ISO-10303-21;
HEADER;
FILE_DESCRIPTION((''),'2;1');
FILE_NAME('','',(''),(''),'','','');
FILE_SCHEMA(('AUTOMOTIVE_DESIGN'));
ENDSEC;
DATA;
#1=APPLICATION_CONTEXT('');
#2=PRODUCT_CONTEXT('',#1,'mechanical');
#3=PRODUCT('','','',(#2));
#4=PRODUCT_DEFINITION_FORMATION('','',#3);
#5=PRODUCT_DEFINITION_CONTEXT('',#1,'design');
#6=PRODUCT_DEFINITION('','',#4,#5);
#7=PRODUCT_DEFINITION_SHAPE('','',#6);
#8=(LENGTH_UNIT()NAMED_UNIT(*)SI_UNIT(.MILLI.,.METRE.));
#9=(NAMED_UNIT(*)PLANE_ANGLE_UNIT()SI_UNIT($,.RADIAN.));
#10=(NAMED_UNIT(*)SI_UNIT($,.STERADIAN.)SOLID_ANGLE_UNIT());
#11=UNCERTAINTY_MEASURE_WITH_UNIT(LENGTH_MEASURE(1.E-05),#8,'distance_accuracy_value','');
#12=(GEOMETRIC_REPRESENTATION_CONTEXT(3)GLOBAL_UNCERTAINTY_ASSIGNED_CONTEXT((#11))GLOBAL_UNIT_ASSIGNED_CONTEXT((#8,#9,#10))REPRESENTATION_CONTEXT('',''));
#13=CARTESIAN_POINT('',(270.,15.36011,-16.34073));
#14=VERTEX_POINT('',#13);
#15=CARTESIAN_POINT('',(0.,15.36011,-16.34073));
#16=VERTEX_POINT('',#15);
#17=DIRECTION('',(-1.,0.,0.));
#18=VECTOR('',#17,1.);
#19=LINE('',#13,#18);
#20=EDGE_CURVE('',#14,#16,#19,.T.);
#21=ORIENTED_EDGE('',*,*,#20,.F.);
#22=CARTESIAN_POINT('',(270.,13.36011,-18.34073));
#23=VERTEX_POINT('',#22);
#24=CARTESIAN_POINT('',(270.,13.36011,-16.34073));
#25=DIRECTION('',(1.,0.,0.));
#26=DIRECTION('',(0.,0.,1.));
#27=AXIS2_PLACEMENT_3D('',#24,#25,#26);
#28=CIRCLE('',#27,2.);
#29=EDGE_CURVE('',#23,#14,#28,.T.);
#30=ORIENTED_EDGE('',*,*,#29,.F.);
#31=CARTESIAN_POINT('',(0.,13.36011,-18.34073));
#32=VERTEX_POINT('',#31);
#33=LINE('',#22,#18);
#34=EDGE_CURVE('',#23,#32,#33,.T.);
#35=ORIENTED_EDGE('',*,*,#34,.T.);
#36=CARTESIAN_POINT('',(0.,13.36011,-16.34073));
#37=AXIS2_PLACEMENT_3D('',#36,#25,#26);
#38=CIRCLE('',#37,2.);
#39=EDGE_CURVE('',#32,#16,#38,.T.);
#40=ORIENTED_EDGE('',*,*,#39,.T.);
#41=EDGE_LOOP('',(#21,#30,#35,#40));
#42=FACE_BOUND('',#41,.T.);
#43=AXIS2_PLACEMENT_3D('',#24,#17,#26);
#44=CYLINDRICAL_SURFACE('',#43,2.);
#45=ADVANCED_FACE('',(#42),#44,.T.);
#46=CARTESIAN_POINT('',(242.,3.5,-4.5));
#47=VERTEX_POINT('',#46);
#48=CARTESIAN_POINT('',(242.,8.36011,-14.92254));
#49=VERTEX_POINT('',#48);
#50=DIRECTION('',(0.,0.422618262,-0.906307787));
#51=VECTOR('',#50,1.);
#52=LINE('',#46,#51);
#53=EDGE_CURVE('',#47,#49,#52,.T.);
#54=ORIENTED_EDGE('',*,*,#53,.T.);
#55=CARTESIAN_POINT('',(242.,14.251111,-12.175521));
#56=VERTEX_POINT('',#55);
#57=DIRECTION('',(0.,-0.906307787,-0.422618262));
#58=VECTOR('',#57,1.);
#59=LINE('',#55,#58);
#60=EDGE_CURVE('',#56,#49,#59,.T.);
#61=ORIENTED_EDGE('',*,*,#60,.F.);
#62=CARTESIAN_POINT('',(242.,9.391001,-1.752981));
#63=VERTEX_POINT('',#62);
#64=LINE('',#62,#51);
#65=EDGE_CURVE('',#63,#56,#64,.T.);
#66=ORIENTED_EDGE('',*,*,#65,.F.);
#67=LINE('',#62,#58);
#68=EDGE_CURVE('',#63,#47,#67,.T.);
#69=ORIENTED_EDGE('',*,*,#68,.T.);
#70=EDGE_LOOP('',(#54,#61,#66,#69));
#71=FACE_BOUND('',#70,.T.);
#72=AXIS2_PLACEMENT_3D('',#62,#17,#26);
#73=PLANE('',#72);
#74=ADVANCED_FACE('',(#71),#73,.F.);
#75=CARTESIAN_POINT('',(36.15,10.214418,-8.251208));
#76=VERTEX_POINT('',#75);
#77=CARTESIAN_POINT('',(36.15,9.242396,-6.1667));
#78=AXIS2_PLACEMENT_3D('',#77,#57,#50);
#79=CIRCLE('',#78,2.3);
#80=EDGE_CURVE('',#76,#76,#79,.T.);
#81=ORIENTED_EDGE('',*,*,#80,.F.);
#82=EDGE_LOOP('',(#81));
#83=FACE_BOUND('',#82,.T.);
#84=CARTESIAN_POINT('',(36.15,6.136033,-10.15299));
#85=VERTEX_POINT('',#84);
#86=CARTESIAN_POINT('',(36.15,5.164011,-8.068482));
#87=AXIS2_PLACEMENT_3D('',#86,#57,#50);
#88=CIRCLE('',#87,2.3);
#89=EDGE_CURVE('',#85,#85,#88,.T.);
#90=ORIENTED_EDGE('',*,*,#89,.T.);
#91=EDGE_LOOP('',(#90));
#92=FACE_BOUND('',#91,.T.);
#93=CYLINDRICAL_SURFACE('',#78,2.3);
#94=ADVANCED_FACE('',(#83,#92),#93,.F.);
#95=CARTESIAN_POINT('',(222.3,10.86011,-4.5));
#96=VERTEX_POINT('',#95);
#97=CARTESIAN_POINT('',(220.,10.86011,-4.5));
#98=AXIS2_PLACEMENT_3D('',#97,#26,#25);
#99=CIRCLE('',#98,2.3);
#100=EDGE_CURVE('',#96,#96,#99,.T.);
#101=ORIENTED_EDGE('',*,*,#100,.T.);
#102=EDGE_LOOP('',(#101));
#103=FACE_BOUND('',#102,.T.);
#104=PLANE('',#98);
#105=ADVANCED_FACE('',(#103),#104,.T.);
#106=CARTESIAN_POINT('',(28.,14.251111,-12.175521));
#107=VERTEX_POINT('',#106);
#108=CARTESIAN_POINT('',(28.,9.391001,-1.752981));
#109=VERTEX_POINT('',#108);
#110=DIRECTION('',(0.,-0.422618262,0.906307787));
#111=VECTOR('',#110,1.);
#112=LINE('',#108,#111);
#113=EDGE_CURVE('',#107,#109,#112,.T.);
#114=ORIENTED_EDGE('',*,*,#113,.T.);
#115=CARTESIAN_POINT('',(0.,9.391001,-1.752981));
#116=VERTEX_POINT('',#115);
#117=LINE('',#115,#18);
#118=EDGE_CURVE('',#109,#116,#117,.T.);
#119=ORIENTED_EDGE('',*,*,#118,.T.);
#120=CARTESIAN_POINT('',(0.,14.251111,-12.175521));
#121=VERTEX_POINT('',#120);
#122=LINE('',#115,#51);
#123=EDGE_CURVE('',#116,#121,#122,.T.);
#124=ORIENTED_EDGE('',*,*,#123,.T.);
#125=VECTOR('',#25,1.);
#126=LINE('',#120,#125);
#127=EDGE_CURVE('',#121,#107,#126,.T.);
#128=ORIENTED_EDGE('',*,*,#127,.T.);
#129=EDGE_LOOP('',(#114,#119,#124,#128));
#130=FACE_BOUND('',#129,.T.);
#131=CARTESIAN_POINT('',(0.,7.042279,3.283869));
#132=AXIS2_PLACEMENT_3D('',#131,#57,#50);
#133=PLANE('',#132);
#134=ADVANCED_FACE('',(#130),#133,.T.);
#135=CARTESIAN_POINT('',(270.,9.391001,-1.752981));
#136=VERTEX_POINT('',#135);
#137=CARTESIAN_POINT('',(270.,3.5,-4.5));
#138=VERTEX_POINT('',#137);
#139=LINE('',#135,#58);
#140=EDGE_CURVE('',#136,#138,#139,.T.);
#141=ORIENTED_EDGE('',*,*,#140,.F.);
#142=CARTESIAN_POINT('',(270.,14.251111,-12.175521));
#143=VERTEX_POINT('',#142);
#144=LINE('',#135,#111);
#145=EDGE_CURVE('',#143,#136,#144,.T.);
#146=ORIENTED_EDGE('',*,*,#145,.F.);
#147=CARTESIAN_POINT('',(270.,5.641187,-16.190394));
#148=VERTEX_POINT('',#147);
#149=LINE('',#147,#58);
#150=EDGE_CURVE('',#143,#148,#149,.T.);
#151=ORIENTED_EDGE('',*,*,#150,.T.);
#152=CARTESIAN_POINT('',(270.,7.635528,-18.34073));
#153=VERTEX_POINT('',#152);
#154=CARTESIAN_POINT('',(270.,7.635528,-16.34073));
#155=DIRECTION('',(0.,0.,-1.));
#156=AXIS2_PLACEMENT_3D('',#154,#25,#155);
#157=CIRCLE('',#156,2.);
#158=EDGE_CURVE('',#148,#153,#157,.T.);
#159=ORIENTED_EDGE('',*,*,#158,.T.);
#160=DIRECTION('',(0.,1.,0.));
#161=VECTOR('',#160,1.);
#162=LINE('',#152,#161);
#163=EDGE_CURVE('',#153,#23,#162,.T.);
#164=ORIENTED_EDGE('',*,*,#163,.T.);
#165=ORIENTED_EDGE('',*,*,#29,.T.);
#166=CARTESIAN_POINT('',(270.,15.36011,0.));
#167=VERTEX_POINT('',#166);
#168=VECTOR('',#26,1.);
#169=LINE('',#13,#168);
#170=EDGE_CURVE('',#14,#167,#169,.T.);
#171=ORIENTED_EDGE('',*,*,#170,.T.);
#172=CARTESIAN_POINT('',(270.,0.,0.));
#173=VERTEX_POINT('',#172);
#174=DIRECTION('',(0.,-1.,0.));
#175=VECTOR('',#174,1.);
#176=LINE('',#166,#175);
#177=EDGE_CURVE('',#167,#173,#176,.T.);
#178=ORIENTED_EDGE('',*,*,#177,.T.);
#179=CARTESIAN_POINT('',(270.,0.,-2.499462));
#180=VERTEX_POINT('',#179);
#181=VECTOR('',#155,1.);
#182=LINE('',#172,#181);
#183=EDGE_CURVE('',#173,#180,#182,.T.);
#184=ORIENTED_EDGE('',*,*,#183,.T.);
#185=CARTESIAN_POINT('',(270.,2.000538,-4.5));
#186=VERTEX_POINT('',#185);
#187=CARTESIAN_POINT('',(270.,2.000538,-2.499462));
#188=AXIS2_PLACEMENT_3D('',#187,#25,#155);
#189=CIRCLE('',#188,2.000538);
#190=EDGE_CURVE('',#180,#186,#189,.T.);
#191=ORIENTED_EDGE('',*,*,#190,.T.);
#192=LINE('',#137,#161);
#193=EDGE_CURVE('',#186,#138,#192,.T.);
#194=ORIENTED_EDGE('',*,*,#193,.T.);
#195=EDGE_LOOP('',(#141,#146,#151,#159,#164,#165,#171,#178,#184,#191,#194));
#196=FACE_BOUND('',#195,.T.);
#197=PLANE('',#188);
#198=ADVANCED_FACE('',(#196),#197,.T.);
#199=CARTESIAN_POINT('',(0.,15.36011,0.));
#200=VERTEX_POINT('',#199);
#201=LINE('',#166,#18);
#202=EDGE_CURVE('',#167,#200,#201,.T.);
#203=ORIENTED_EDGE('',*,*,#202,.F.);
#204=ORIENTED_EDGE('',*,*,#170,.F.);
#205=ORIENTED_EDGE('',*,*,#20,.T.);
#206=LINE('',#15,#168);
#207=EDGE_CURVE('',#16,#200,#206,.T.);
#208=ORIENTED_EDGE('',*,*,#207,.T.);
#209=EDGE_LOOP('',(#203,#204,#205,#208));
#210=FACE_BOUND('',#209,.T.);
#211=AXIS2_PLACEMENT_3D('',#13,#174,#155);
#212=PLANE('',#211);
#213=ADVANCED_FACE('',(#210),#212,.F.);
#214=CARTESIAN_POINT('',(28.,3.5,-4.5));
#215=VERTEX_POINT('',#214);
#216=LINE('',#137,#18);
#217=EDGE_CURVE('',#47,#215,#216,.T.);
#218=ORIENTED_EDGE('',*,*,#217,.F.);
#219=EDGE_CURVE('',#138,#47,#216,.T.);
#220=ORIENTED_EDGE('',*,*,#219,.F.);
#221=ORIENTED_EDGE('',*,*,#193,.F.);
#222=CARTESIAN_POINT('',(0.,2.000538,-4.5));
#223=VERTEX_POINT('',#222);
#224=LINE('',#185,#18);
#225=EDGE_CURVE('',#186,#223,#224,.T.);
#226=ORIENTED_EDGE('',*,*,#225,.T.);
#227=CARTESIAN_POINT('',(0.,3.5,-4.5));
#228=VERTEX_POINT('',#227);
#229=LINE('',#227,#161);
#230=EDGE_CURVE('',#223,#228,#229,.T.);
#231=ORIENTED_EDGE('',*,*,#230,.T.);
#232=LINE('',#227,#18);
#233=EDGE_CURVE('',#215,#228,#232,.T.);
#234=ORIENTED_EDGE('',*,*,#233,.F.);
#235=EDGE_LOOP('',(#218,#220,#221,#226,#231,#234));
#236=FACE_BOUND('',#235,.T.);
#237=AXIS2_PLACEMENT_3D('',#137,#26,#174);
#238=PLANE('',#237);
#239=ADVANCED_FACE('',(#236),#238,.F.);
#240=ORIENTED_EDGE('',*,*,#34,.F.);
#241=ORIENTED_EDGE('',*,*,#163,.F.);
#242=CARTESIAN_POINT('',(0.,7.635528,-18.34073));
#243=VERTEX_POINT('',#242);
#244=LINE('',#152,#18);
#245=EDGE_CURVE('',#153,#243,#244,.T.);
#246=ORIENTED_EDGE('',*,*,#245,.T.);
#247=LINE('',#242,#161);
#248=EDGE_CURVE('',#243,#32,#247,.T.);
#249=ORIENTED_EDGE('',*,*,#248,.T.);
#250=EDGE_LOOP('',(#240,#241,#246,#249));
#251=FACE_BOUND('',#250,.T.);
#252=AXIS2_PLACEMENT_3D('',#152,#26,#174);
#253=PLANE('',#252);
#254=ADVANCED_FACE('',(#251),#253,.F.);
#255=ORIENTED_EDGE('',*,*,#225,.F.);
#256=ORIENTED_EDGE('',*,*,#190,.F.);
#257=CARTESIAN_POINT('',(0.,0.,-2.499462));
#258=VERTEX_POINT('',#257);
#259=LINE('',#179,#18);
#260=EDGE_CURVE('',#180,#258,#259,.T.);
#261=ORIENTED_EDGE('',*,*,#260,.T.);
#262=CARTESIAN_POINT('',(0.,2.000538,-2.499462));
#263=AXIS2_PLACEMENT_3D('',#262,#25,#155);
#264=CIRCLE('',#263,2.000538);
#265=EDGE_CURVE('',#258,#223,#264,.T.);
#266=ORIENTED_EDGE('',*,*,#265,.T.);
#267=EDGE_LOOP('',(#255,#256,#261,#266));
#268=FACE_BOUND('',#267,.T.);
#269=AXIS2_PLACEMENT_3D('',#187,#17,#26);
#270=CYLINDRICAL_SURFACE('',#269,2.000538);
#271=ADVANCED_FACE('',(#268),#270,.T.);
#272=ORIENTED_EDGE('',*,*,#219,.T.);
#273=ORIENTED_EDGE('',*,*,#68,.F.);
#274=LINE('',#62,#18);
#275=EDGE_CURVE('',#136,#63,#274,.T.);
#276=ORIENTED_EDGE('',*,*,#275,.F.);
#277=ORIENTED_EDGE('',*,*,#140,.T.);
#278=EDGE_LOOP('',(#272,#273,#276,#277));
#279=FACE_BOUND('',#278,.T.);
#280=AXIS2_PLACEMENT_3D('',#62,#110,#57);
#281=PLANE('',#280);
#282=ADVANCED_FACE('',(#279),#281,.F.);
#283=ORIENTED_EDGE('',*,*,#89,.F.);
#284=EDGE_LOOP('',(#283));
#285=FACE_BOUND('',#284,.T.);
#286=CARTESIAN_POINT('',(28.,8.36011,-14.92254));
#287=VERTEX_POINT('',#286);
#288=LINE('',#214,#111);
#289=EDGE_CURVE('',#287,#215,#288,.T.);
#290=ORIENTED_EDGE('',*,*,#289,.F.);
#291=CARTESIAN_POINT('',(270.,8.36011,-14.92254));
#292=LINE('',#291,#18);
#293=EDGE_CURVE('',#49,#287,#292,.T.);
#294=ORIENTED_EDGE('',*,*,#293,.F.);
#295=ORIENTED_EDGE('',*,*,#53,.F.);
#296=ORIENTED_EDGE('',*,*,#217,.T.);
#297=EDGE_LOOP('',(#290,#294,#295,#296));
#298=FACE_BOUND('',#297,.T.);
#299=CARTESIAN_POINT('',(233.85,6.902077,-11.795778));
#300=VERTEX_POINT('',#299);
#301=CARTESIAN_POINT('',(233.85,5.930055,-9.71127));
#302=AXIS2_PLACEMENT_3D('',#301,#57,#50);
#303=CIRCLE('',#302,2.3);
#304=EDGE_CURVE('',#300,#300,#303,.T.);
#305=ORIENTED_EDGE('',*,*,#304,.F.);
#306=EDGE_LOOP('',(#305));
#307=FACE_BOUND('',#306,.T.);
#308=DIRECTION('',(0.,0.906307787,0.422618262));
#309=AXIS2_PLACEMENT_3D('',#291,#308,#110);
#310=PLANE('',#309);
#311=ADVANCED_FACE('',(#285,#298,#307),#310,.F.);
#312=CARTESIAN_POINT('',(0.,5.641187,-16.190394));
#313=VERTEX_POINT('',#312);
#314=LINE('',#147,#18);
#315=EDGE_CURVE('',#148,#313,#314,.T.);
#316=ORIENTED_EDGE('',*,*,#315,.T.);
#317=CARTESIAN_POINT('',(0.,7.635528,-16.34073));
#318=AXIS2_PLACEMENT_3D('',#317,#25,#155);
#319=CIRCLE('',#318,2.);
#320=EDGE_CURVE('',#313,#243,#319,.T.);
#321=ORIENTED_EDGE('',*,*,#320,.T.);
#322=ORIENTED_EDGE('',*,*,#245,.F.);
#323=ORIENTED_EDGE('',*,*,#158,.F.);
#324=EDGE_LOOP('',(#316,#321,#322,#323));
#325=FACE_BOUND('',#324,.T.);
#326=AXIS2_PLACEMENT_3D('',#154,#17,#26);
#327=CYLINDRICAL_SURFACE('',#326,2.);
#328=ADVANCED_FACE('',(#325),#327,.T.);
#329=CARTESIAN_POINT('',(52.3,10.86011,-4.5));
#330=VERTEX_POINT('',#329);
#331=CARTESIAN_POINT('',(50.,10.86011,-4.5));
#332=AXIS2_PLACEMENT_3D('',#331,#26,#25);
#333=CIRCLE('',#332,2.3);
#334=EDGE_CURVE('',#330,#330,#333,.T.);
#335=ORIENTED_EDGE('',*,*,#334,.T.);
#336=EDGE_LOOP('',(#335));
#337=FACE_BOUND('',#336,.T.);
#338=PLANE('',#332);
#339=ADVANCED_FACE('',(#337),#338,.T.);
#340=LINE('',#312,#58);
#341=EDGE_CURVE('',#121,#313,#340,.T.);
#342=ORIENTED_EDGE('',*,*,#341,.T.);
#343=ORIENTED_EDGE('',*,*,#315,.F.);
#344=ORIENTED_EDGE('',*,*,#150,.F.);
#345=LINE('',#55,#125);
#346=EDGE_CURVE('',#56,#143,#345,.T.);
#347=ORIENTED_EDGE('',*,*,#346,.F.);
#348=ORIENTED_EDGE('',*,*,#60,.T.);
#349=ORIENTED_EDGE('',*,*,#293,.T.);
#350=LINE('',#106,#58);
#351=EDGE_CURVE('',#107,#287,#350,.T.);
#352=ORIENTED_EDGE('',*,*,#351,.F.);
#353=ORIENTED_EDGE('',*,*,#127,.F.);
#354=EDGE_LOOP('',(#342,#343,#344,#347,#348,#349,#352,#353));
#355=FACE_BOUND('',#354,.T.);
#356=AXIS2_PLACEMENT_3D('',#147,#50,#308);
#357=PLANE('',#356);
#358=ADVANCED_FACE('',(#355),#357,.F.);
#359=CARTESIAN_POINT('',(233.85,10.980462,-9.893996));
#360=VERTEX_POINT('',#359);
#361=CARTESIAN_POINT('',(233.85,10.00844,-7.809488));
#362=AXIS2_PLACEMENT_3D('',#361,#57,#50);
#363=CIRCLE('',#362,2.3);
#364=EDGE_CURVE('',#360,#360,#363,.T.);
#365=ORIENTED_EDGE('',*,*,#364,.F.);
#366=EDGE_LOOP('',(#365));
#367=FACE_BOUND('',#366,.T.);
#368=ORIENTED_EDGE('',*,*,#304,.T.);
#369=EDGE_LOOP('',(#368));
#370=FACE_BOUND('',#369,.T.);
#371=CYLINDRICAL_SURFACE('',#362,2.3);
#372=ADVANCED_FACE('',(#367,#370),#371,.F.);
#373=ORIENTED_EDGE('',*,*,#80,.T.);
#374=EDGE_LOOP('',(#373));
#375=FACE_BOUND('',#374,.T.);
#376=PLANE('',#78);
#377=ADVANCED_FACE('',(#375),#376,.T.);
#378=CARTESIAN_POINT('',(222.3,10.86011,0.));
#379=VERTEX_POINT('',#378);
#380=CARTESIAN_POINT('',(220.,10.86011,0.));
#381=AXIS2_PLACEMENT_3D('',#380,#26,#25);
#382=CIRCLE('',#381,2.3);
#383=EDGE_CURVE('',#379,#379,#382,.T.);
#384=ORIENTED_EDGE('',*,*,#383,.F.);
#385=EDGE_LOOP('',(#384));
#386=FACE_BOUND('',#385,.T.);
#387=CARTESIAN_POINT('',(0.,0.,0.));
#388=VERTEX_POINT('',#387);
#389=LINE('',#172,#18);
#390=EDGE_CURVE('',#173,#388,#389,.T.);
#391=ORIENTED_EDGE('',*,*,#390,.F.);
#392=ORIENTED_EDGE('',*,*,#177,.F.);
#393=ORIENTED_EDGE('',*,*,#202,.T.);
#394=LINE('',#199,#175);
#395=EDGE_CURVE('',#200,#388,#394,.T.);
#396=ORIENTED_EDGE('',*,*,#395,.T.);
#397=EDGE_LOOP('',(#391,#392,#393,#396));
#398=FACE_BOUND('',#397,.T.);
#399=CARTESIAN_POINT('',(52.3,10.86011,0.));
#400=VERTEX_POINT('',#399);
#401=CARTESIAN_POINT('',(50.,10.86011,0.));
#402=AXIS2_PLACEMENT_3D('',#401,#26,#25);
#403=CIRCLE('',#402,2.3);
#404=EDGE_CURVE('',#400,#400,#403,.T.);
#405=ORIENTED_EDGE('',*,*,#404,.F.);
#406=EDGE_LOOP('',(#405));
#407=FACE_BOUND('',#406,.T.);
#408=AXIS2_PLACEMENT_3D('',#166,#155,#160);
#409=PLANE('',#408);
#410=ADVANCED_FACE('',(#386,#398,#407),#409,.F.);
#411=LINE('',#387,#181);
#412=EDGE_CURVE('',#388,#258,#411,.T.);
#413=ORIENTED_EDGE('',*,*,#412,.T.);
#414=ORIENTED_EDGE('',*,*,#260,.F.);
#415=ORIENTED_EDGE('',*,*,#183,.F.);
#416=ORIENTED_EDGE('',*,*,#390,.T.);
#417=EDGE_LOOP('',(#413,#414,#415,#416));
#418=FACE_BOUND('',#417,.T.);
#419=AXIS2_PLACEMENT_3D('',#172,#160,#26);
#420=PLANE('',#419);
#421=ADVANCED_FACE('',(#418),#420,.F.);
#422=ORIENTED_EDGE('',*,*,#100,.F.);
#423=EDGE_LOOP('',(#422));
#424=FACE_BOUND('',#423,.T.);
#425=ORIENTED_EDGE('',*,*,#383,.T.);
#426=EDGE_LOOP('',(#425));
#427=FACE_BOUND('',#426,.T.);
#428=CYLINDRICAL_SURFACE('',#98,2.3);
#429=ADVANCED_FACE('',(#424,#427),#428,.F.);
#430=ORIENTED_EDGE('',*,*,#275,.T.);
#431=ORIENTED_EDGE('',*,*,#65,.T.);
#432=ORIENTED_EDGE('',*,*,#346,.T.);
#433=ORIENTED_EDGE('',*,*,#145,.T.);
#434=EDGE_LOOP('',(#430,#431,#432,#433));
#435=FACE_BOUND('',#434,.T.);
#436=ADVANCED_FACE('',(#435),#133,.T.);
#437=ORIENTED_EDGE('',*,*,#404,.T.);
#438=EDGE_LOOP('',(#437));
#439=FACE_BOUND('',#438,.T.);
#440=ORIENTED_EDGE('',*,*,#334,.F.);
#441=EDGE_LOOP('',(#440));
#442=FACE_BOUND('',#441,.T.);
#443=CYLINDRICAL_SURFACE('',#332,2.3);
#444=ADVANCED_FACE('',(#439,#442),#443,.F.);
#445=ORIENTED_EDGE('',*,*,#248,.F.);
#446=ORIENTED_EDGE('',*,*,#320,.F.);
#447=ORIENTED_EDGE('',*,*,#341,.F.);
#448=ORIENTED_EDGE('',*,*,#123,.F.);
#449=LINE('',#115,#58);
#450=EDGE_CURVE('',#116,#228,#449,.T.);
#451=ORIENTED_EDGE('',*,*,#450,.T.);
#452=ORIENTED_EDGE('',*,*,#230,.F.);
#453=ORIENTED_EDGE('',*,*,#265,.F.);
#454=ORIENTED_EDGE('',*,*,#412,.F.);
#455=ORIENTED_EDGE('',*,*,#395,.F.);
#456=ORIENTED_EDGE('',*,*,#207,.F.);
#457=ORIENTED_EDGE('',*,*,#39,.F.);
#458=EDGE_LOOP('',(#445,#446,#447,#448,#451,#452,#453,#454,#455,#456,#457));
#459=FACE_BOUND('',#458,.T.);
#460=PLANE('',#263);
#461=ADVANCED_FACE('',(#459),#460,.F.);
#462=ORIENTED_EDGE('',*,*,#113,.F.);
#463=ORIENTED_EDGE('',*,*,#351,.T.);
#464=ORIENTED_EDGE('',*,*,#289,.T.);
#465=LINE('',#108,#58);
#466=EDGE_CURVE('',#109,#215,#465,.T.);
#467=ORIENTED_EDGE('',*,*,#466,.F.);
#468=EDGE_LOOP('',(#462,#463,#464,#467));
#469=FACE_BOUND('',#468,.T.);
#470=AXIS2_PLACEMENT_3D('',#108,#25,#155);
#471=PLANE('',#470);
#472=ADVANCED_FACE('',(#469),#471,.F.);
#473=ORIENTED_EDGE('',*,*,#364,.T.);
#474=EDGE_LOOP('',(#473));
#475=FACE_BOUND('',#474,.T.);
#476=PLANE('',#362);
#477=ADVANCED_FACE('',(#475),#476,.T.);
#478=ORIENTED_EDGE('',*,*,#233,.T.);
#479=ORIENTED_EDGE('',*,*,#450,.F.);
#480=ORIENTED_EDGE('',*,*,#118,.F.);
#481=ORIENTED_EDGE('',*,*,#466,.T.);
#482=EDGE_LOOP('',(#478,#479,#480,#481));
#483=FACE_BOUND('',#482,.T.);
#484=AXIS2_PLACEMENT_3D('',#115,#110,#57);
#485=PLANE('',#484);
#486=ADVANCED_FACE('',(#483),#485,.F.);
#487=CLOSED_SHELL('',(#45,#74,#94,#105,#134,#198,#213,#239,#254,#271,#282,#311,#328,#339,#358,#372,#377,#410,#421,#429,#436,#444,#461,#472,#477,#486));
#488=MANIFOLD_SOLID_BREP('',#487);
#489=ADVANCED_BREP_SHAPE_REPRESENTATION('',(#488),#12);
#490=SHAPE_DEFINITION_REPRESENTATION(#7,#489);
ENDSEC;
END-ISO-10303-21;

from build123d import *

# Parameters (mm, degrees)
PROFILEBOSS_EXTRUDE1_DEPTH           = 270
SKETCH2_R                            = 2.3
LEDSTRIPMOUNTHOLESCUT_EXTRUDE1_DEPTH = 4.5
SKETCH3_R                            = 2.3
MOUNTINGHOLESCUT_EXTRUDE3_DEPTH      = 4.5
SKETCH4_W                            = 28
SKETCH4_H                            = 11.5
POWERCONNECTORCUT_EXTRUDE4_DEPTH     = 6.5


with BuildPart() as part:
    # Sketch1 → ProfileBoss-Extrude1 (new body)
    with BuildSketch(Plane(origin=(0, 0, 0), x_dir=(0, 0, -1), z_dir=(1, 0, 0))):
        with BuildLine():
            Line((0, 0), (2.499461553, 0))
            ThreePointArc((2.499461553, 0), (3.914055855, 0.585944145), (4.5, 2.000538447))
            Line((4.5, 2.000538447), (4.5, 3.5))
            Line((4.5, 3.5), (14.922539551, 8.36011001))
            Line((14.922539551, 8.36011001), (16.190394336, 5.641186649))
            ThreePointArc((16.190394336, 5.641186649), (17.700753359, 6.16912635), (18.340729536, 7.635528477))
            Line((18.340729536, 7.635528477), (18.340729536, 13.36011001))
            ThreePointArc((18.340729536, 13.36011001), (17.754943098, 14.774323572), (16.340729536, 15.36011001))
            Line((16.340729536, 15.36011001), (0, 15.36011001))
            Line((0, 15.36011001), (0, 0))
        make_face()
    extrude(amount=PROFILEBOSS_EXTRUDE1_DEPTH)

    # Sketch2 → LedStripMountHolesCut-Extrude1 (cut)
    with BuildSketch(Plane(origin=(0, 1.15127832, 0.536849897), x_dir=(1, 0, 0), z_dir=(0, -0.906307787036651, -0.4226182617406973))):
        with Locations(Location((36.15, -9.494933384, 0), (0, 0, 270))):
            Circle(SKETCH2_R)
        with Locations(Location((233.85, -11.307548958, 0), (0, 0, 270))):
            Circle(SKETCH2_R)
    extrude(amount=-LEDSTRIPMOUNTHOLESCUT_EXTRUDE1_DEPTH, mode=Mode.SUBTRACT)

    # Sketch3 → MountingHolesCut-Extrude3 (cut)
    with BuildSketch(Plane.XY):
        with Locations((50, 10.86011001)):
            Circle(SKETCH3_R)
        with Locations((220, 10.86011001)):
            Circle(SKETCH3_R)
    extrude(amount=-MOUNTINGHOLESCUT_EXTRUDE3_DEPTH, mode=Mode.SUBTRACT)

    # Sketch4 → PowerConnectorCut-Extrude4 (cut)
    with BuildSketch(Plane(origin=(0, 1.15127832, 0.536849897), x_dir=(1, 0, 0), z_dir=(0, -0.906307787036651, -0.4226182617406973))):
        with Locations((256, -11.307548958)):
            Rectangle(SKETCH4_W, SKETCH4_H)
        with Locations((14, -11.307548958)):
            Rectangle(SKETCH4_W, SKETCH4_H)
    extrude(amount=-POWERCONNECTORCUT_EXTRUDE4_DEPTH, mode=Mode.SUBTRACT)


solid = part.part
